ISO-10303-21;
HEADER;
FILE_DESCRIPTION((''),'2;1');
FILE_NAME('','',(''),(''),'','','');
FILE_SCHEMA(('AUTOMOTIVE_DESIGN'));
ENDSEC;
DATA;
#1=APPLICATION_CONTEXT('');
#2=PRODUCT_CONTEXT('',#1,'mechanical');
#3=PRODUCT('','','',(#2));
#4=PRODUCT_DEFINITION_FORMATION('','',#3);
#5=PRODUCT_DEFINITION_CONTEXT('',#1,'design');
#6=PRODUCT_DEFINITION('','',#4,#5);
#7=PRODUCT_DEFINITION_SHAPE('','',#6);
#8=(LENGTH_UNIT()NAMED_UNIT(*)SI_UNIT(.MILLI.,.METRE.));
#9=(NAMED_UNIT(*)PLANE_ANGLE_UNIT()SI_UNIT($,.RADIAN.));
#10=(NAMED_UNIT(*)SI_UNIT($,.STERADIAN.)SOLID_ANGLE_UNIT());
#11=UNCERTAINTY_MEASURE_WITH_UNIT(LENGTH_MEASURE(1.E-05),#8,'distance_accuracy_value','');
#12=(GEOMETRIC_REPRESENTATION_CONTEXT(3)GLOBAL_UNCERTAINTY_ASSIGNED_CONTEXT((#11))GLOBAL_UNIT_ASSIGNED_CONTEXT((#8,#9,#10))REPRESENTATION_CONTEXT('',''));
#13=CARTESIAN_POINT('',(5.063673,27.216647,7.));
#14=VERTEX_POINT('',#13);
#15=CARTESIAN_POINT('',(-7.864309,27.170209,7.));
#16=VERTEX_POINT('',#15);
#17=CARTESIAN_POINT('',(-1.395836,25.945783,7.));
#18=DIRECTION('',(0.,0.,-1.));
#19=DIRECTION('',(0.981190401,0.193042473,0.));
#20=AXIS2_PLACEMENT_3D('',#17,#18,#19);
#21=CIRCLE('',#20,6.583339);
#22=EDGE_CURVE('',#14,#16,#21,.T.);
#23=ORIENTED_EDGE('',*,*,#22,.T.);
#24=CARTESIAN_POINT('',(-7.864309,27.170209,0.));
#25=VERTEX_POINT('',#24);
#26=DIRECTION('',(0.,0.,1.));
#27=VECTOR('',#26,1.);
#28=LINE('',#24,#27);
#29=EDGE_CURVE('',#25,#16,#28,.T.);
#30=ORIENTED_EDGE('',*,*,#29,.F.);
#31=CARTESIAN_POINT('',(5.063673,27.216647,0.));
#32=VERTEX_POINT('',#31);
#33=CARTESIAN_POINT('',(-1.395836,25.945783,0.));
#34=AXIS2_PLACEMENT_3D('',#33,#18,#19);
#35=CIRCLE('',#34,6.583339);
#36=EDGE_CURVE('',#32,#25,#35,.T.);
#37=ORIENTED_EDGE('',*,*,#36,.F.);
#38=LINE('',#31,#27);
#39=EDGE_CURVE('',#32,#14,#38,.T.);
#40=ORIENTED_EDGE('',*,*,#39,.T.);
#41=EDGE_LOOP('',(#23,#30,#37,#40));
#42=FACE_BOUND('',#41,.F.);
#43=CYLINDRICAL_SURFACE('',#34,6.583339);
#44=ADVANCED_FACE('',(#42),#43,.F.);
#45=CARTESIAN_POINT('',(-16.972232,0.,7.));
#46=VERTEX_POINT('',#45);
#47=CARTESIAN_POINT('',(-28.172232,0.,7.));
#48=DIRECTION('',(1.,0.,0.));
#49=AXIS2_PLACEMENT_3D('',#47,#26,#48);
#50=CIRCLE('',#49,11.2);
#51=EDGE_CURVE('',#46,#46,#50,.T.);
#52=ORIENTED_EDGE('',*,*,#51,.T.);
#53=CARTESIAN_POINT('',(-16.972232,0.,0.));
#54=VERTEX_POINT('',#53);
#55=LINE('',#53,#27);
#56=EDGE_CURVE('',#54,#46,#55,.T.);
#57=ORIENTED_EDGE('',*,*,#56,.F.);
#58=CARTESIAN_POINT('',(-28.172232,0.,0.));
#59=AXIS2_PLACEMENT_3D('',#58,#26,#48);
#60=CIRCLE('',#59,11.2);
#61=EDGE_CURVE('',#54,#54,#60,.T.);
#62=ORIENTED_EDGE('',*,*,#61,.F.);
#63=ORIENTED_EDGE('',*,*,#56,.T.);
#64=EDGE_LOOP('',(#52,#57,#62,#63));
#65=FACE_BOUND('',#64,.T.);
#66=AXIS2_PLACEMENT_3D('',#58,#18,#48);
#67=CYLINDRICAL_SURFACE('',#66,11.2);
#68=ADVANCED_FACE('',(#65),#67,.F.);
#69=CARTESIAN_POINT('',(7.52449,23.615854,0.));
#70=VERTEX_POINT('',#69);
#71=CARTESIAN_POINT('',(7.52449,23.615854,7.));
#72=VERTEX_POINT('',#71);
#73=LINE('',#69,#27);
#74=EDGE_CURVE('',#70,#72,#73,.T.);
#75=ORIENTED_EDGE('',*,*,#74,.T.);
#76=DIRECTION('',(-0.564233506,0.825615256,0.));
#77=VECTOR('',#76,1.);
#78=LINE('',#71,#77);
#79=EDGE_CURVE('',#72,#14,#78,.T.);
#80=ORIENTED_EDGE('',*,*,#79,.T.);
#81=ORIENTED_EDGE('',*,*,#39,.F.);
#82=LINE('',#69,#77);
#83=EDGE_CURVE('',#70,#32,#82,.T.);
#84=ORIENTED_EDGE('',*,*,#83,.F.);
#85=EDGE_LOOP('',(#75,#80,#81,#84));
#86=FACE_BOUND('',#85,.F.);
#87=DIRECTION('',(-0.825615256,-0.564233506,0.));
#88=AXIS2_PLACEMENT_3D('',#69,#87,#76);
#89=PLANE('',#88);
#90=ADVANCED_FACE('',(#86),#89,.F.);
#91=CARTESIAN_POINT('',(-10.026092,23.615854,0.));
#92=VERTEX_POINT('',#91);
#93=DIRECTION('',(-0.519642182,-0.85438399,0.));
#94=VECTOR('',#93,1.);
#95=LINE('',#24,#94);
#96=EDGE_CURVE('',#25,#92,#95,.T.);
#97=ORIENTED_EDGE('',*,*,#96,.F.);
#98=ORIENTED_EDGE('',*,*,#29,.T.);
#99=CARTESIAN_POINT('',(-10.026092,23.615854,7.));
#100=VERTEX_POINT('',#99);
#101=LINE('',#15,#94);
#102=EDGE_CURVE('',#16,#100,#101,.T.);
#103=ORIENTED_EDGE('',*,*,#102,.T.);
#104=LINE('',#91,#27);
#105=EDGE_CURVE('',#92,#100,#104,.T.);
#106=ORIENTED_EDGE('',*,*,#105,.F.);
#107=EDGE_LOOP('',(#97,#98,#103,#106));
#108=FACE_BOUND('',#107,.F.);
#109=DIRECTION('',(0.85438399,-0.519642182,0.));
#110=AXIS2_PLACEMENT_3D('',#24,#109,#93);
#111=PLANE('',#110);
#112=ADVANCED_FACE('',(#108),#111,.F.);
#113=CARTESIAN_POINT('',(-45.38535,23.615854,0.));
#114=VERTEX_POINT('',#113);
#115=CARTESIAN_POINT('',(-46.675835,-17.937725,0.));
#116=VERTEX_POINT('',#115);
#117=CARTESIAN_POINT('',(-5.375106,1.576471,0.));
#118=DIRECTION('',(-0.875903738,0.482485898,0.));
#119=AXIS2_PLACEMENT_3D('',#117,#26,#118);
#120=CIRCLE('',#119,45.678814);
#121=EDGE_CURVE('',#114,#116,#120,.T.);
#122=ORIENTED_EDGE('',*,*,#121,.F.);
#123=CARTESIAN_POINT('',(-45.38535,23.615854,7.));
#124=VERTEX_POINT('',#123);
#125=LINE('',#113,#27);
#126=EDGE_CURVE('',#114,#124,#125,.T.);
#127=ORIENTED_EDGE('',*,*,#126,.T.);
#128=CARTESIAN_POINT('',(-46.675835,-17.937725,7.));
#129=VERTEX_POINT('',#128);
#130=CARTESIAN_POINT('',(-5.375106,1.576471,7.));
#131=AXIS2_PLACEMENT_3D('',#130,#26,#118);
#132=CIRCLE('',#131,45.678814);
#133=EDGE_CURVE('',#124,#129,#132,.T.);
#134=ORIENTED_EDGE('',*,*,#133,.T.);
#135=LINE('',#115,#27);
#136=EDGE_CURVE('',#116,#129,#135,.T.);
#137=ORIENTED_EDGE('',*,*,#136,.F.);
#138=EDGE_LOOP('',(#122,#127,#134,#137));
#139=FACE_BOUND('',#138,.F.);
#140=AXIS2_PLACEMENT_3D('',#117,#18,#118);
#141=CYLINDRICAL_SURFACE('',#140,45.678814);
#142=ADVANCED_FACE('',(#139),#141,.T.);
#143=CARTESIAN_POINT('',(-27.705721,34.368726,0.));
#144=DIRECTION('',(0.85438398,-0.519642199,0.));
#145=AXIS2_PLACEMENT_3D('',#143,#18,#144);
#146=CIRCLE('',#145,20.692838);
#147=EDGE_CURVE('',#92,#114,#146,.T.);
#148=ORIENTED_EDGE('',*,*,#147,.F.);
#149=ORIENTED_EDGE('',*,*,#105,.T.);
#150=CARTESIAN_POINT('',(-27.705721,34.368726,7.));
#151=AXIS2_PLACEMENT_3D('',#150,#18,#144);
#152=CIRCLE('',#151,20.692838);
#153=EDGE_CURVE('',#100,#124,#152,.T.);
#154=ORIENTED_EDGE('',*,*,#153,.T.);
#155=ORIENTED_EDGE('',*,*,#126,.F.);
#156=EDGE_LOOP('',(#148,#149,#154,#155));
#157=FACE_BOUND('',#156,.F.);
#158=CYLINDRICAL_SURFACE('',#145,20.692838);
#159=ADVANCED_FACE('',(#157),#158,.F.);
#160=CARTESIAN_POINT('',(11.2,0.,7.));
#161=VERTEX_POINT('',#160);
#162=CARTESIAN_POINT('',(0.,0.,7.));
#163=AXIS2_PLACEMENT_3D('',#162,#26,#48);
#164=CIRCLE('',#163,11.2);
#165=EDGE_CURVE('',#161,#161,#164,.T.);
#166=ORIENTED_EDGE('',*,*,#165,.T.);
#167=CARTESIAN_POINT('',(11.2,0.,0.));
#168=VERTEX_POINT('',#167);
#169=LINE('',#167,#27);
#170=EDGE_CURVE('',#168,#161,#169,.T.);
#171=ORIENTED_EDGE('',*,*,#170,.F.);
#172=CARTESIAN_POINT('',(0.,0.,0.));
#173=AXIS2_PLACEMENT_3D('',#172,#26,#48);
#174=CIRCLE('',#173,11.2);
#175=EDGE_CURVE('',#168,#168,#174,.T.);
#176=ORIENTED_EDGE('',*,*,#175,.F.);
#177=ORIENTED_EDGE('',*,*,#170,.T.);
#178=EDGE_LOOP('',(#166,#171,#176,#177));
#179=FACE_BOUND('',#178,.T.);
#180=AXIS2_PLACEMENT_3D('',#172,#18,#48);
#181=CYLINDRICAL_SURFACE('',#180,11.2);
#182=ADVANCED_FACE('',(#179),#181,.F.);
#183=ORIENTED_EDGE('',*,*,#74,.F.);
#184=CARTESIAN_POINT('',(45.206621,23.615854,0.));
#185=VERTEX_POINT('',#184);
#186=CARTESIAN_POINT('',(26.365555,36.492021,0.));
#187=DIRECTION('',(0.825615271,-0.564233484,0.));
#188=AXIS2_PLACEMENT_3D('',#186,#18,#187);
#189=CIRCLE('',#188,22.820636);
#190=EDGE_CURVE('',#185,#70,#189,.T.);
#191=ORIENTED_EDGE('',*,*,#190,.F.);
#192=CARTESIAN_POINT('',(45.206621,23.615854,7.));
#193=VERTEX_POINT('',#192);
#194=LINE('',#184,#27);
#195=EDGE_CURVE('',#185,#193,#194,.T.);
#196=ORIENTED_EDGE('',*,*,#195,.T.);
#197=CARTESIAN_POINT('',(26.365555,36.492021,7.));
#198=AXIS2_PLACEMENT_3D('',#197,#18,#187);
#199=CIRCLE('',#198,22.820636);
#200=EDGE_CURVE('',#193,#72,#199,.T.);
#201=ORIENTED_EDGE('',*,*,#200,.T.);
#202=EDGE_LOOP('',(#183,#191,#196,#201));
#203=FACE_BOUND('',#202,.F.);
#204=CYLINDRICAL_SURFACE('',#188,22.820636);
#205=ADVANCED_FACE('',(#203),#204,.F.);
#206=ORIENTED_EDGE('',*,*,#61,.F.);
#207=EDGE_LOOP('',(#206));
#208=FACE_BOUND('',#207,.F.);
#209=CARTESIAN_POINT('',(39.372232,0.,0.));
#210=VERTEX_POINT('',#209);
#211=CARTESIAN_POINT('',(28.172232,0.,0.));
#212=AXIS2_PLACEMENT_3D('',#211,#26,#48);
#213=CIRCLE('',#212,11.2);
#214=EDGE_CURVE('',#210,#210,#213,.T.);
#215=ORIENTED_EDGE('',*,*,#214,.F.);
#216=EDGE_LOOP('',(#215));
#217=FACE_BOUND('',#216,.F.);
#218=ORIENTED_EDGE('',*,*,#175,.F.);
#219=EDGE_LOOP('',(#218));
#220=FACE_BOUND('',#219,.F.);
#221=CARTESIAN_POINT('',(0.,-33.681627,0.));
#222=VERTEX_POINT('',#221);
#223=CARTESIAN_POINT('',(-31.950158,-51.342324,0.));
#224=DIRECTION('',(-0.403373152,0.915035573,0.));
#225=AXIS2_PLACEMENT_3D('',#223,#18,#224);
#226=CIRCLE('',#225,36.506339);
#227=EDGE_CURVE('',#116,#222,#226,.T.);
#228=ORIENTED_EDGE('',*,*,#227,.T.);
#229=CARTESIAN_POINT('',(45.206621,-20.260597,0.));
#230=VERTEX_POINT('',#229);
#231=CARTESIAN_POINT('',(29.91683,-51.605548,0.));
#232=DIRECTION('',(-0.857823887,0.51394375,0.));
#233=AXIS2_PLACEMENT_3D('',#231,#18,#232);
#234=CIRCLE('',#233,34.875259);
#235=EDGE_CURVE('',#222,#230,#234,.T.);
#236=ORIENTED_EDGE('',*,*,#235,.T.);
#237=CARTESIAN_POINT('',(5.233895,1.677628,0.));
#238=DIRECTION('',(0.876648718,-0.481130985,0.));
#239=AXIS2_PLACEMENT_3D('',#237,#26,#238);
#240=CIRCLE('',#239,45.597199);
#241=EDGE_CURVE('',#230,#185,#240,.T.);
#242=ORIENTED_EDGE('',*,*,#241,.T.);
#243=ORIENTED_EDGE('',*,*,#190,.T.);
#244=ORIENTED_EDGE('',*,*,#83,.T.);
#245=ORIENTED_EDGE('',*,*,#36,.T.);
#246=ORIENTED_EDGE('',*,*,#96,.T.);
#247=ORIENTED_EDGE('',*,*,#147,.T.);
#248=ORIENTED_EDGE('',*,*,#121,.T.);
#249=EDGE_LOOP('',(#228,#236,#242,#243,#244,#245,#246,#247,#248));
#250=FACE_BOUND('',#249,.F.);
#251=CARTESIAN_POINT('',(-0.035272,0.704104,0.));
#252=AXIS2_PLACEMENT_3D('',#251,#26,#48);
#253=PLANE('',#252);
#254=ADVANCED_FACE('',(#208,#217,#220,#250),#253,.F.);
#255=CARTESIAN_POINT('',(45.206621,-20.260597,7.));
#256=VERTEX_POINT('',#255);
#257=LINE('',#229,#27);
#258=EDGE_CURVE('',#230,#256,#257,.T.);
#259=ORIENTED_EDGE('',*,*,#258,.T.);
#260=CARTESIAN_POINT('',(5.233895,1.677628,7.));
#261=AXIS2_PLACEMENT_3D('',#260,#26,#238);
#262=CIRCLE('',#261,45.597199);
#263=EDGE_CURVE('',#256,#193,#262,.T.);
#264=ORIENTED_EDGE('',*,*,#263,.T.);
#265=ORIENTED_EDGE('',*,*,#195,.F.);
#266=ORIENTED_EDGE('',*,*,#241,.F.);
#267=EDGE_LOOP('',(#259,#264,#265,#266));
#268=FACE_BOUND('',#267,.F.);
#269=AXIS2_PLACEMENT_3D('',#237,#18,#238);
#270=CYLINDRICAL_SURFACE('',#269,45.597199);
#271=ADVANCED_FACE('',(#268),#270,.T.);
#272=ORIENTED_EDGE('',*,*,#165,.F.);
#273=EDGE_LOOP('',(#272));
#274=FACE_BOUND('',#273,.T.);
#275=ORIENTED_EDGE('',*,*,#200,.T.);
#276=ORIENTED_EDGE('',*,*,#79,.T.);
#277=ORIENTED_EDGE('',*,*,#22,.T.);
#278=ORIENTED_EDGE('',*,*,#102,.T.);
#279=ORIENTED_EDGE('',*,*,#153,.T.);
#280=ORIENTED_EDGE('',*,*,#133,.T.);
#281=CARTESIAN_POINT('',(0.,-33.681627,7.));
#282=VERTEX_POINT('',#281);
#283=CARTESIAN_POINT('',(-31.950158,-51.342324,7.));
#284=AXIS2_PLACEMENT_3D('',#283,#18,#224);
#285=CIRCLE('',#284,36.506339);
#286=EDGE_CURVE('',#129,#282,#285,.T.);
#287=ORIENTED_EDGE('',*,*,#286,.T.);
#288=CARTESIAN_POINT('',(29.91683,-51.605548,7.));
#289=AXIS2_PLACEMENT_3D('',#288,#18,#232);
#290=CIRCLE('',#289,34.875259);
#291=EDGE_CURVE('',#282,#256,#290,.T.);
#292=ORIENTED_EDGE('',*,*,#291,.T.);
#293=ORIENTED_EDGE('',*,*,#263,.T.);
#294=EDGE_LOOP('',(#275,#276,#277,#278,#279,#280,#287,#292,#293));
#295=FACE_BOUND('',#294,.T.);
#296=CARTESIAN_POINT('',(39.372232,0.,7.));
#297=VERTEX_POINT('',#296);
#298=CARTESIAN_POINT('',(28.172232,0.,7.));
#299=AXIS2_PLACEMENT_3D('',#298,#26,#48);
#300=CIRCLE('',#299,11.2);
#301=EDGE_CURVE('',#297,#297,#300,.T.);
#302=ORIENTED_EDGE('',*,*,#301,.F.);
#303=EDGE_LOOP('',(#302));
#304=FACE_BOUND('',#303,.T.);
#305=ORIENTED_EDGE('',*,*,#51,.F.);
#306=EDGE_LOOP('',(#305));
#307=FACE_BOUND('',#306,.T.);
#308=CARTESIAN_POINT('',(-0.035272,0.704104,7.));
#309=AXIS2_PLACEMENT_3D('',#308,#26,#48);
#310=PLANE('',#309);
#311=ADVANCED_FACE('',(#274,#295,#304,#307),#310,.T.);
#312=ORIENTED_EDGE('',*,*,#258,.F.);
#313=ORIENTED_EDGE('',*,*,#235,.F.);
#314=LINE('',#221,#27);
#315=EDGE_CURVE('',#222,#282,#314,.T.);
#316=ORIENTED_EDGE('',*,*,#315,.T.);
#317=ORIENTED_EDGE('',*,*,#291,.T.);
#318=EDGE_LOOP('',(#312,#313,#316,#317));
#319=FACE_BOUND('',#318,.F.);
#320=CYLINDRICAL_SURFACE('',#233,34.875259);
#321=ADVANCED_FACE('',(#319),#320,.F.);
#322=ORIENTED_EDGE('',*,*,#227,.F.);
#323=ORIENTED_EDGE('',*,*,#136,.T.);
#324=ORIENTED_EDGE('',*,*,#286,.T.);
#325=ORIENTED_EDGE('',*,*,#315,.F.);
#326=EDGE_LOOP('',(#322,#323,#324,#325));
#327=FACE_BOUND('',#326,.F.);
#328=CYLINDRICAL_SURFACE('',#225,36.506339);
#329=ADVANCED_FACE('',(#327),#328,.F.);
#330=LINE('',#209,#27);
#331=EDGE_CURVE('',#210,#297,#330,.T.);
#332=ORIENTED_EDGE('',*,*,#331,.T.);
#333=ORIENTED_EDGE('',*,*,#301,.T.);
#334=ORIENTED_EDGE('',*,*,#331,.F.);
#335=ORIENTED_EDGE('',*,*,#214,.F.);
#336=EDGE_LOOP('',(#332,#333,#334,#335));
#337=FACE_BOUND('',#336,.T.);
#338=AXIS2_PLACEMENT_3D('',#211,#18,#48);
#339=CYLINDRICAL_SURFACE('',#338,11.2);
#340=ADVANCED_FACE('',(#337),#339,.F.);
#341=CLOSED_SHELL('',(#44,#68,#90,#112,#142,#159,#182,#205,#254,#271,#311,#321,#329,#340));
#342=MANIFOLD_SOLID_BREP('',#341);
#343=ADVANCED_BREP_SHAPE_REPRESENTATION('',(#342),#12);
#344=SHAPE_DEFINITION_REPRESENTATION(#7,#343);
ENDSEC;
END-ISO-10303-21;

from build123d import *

# Parameters (mm, degrees)
F0_R     = 11.2
F1_DEPTH = 7


with BuildPart() as f1:
    # F0 (on Top) → F1 (new body)
    with BuildSketch(Plane.XY):
        with BuildLine():
            ThreePointArc((-10.026092, 23.615854), (-27.705721, 13.675888), (-45.38535, 23.615854))
            ThreePointArc((-45.38535, 23.615854), (-51.031908, 2.994385), (-46.675835, -17.937725))
            ThreePointArc((-46.675835, -17.937725), (-20.282326, -16.750786), (0, -33.681627))
            ThreePointArc((0, -33.681627), (19.991178, -18.172554), (45.206621, -20.260597))
            ThreePointArc((45.206621, -20.260597), (50.831094, 1.677629), (45.206621, 23.615854))
            ThreePointArc((45.206621, 23.615854), (26.365556, 13.671385), (7.52449, 23.615854))
            Line((7.52449, 23.615854), (5.063673, 27.216647))
            ThreePointArc((5.063673, 27.216647), (-1.372188, 19.362486), (-7.864309, 27.170209))
            Line((-7.864309, 27.170209), (-10.026092, 23.615854))
        make_face()
        with Locations((-28.172232, 0)):
            Circle(F0_R, mode=Mode.SUBTRACT)
        Circle(F0_R, mode=Mode.SUBTRACT)
        with Locations((28.172232, 0)):
            Circle(F0_R, mode=Mode.SUBTRACT)
    extrude(amount=F1_DEPTH)


solid = f1.part
